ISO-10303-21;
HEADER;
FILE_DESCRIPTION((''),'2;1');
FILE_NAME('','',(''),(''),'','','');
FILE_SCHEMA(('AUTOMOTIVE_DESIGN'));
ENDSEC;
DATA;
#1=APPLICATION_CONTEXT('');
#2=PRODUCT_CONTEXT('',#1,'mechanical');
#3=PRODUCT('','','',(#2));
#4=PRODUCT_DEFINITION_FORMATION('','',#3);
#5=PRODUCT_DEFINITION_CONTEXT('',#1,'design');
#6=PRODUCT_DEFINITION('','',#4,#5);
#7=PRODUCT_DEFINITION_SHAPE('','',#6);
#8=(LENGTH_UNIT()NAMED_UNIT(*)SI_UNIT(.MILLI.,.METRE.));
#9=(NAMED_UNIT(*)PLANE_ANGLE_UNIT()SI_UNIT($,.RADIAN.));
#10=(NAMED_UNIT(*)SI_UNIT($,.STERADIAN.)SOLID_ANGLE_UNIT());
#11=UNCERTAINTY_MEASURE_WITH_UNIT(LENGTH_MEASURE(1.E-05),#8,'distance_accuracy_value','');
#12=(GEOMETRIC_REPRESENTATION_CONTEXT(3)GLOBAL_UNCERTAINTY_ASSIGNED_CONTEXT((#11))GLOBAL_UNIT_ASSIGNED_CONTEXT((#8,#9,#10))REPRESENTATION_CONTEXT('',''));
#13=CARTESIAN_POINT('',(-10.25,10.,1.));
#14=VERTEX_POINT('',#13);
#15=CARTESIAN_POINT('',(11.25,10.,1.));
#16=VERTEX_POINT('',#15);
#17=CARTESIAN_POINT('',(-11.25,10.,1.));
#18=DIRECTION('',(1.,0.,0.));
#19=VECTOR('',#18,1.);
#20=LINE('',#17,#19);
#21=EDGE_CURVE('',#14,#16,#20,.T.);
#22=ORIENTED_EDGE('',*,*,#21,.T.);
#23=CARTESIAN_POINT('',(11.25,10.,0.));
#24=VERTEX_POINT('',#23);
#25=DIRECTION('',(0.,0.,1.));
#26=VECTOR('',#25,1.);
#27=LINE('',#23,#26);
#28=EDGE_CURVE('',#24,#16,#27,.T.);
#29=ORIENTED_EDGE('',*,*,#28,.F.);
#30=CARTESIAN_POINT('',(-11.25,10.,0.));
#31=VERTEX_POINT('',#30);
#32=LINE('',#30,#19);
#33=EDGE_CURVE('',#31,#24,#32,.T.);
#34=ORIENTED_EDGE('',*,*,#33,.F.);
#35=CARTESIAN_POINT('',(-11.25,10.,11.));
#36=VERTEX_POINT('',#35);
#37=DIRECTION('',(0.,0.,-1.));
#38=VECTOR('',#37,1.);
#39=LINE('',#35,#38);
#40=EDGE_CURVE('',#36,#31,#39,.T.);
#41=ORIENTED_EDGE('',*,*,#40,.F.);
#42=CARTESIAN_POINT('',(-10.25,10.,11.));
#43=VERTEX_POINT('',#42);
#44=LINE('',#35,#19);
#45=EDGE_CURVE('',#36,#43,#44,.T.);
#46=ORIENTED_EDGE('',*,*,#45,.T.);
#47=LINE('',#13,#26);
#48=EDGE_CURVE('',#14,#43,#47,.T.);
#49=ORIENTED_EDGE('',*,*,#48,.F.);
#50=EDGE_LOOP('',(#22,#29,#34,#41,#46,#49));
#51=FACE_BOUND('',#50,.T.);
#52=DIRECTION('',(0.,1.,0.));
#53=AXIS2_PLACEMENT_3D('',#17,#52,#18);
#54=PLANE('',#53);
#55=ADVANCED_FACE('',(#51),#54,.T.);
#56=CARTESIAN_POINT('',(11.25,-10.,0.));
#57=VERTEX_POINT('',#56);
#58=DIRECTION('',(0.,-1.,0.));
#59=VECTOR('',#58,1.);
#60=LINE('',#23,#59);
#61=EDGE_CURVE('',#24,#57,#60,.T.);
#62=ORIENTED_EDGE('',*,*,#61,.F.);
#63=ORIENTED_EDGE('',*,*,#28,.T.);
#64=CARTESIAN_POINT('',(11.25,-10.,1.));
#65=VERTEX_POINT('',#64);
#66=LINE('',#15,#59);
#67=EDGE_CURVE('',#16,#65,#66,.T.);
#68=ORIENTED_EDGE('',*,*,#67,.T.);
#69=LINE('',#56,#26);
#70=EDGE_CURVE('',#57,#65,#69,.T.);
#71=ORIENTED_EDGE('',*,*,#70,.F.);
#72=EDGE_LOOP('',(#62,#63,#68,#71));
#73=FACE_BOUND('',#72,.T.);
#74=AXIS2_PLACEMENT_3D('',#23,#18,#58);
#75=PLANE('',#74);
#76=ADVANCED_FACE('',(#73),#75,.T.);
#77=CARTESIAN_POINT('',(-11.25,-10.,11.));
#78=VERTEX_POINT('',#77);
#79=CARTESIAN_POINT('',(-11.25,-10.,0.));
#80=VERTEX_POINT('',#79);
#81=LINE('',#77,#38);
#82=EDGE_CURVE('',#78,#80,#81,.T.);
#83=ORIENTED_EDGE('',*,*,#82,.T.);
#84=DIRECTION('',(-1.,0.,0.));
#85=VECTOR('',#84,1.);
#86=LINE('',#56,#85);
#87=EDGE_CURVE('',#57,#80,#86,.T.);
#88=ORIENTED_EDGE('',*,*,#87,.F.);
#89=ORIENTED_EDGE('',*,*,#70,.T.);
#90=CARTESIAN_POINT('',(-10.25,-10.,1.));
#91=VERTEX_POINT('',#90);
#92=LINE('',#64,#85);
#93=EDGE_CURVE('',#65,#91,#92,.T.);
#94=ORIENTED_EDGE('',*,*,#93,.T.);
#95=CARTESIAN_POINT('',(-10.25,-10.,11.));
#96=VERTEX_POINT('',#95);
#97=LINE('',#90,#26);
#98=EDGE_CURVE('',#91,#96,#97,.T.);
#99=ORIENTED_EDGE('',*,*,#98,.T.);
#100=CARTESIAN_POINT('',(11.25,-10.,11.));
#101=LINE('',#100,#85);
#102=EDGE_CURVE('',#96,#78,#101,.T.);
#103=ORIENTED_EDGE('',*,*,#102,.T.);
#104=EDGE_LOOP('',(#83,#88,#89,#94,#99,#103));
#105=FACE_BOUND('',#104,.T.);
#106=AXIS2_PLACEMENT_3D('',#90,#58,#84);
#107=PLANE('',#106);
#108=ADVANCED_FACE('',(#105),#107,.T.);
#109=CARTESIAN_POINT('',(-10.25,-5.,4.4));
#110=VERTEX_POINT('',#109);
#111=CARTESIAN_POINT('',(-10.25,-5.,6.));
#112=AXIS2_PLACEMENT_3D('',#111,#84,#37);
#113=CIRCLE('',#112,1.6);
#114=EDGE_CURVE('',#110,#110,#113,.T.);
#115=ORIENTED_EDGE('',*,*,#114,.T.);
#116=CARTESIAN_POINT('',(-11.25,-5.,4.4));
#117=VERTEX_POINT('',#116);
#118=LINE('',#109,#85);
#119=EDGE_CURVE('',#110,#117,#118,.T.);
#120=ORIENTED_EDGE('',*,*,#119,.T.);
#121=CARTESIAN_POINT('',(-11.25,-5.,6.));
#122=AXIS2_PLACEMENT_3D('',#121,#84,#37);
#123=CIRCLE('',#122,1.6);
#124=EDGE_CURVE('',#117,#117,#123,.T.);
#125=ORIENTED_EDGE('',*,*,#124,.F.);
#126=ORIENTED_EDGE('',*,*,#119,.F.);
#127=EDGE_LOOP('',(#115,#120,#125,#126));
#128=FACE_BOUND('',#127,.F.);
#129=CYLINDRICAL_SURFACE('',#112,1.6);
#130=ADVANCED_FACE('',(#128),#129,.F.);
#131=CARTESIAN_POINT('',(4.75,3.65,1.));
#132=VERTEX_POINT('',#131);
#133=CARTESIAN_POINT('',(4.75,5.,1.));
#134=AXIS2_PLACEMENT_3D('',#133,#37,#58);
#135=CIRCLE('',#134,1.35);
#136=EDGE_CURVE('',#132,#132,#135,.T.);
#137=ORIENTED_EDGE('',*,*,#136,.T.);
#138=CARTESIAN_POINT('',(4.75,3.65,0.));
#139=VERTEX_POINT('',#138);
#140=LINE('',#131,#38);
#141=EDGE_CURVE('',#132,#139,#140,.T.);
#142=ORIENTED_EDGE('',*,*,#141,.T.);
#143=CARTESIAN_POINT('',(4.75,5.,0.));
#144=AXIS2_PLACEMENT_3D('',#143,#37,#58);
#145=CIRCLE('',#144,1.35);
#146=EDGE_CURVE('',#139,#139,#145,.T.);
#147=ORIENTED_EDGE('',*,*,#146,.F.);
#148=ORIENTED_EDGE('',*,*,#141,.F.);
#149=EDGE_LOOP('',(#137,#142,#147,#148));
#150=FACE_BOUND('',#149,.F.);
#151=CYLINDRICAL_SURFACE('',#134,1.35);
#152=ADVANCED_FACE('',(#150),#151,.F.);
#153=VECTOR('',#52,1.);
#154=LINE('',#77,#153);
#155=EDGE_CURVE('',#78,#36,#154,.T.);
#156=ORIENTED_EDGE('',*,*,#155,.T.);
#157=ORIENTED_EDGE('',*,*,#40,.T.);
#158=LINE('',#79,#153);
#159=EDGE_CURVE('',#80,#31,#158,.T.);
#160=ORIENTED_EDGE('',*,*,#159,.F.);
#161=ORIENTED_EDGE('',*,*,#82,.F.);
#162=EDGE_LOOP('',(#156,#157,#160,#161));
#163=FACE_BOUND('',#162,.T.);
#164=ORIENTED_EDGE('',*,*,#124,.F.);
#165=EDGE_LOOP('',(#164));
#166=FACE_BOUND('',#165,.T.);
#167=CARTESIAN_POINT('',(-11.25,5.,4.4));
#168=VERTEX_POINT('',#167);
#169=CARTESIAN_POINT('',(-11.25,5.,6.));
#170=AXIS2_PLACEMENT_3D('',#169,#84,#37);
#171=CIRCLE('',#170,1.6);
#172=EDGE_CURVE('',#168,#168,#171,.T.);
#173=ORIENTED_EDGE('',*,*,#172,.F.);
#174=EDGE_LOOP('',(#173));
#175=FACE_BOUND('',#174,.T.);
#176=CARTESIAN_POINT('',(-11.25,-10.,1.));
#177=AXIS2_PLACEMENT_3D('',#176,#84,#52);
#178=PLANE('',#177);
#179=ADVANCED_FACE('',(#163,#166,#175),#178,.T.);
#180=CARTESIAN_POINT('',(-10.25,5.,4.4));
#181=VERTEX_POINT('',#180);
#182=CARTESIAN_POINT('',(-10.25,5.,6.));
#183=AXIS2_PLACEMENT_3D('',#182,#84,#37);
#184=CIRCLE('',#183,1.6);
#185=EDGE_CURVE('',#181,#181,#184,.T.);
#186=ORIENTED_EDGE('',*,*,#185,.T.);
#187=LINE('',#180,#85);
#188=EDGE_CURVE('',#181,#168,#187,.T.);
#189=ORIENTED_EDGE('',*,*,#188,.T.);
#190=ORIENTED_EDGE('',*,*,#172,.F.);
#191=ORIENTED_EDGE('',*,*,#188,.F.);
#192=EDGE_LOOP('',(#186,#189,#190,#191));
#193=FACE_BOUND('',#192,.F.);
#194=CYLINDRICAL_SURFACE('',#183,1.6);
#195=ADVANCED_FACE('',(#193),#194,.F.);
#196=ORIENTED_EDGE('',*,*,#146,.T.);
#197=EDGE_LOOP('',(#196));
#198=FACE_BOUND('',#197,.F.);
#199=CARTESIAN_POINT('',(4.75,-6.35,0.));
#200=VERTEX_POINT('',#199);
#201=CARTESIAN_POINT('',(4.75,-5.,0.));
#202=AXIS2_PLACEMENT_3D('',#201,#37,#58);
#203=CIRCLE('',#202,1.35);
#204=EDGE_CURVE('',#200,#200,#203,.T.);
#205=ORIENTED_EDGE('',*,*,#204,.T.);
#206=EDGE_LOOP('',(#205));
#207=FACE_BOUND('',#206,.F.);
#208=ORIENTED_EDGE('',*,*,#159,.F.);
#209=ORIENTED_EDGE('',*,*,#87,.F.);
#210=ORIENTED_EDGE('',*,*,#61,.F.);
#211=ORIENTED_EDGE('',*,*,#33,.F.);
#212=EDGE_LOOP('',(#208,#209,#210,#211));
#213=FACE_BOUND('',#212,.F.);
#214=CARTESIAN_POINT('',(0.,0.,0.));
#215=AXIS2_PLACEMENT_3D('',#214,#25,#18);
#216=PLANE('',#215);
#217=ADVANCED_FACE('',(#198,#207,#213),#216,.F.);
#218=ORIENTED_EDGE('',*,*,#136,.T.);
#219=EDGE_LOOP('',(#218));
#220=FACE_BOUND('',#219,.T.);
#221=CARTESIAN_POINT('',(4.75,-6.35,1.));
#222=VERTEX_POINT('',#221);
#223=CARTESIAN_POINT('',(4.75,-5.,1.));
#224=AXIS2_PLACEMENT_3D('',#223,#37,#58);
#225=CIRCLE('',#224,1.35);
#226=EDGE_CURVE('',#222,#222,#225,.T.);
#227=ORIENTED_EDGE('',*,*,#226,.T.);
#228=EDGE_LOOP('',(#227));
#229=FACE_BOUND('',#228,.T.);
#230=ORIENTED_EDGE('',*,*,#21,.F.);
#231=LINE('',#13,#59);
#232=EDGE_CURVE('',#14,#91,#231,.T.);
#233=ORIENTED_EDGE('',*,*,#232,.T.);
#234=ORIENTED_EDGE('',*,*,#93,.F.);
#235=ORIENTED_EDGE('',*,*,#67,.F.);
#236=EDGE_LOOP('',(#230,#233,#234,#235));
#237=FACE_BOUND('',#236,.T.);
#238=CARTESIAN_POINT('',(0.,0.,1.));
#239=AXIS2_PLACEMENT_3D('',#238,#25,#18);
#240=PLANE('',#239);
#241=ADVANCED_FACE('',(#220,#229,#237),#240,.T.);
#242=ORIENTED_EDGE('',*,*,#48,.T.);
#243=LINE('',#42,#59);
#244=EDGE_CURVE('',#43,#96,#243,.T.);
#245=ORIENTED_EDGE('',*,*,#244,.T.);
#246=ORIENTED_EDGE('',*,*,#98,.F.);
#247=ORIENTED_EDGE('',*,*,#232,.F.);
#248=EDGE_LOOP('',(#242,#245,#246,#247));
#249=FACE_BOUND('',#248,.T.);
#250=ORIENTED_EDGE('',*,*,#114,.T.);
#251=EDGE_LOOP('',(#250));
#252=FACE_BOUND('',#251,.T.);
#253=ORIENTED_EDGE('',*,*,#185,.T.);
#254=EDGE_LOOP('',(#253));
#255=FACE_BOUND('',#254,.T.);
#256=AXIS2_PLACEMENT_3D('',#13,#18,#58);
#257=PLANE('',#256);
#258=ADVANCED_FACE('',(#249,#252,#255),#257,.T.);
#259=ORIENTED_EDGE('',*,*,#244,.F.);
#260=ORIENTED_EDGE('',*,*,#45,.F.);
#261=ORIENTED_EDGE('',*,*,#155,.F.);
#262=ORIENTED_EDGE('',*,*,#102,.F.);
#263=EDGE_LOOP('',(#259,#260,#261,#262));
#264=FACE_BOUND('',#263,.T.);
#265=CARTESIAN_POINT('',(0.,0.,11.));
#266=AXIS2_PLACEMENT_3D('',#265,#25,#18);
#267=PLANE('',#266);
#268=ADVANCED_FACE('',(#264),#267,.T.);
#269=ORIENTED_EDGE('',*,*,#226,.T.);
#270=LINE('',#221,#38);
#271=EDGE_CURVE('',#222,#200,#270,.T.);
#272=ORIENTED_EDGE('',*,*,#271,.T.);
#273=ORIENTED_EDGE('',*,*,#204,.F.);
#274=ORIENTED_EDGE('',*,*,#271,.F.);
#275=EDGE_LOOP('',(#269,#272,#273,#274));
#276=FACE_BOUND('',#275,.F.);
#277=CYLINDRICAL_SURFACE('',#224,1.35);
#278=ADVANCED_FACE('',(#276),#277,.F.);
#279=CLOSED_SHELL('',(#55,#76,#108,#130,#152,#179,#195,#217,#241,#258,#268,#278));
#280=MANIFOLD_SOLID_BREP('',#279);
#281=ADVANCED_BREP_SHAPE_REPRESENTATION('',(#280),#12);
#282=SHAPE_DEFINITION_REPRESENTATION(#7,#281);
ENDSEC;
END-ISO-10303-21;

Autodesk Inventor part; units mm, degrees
ref_plane "YZ Plane" through (0, 0, 0) normal (1, 0, 0) x (0, 1, 0)
ref_plane "XZ Plane" through (0, 0, 0) normal (0, 1, 0) x (-1, 0, 0)
ref_plane "XY Plane" through (0, 0, 0) normal (0, 0, 1) x (1, 0, 0)
sketch "スケッチ3" plane through (0, 0, 0) normal (0, 0, 1) x (1, 0, 0)
  line L0 (-11.25, 10) -> (11.25, 10)
  line L1 (11.25, 10) -> (11.25, -10)
  line L2 (11.25, -10) -> (-11.25, -10)
  line L3 (-11.25, -10) -> (-11.25, 10)
  line L4 (-11.25, 10) -> (11.25, -10) construction
  line L5 (11.25, 10) -> (-11.25, -10) construction
  point P0 (0, 0)
  dimension "d15" = 22.5
  dimension "d16" = 20
extrude "押し出し2" add sketch "スケッチ3" along normal blind 1
sketch "スケッチ4" plane through (0, 0, 1) normal (0, 0, 1) x (1, 0, 0)
  line L0 (-11.25, 10) -> (-11.25, -10) projected
  line L1 (11.25, 10) -> (-11.25, 10) projected
  line L2 (-11.25, -10) -> (11.25, -10) projected
  point P0 (0, 0)
  point P1 (4.75, 5)
  point P2 (4.75, -5)
  dimension "d19" = 16
  dimension "d20" = 5
  dimension "d21" = 5
hole "穴2" at (4.75, 5, 1) at (4.75, -5, 1) direction (0, 0, -1) diameter 2.7 end through all
sketch "スケッチ5" plane through (0, 0, 1) normal (0, 0, 1) x (1, 0, 0)
  line L0 (11.25, -10) -> (-11.25, -10) projected
  line L1 (-11.25, 10) -> (-10.25, 10)
  line L2 (-10.25, 10) -> (-10.25, -10)
  line L3 (-10.25, -10) -> (-11.25, -10)
  line L4 (-11.25, -10) -> (-11.25, 10)
  point P0 (0, 0)
  dimension "d29" = 1
extrude "押し出し3" add sketch "スケッチ5" along normal blind 10
sketch "スケッチ6" plane through (-10.25, -10, 1) normal (1, 0, 0) x (0, 0, -1)
  line L0 (-10, 0) -> (-10, 20) projected
  line L1 (0, 20) -> (-10, 20) projected
  line L2 (0, 0) -> (-10, 0) projected
  point P0 (1, 10)
  point P1 (-5, 15)
  point P2 (-5, 5)
  dimension "d32" = 5
  dimension "d33" = 5
  dimension "d34" = 5
hole "穴3" at (-10.25, 5, 6) at (-10.25, -5, 6) direction (-1, 0, 0) diameter 3.2 end through all
properties part number "爪_根本" material "アルミニウム 1100-H14"
